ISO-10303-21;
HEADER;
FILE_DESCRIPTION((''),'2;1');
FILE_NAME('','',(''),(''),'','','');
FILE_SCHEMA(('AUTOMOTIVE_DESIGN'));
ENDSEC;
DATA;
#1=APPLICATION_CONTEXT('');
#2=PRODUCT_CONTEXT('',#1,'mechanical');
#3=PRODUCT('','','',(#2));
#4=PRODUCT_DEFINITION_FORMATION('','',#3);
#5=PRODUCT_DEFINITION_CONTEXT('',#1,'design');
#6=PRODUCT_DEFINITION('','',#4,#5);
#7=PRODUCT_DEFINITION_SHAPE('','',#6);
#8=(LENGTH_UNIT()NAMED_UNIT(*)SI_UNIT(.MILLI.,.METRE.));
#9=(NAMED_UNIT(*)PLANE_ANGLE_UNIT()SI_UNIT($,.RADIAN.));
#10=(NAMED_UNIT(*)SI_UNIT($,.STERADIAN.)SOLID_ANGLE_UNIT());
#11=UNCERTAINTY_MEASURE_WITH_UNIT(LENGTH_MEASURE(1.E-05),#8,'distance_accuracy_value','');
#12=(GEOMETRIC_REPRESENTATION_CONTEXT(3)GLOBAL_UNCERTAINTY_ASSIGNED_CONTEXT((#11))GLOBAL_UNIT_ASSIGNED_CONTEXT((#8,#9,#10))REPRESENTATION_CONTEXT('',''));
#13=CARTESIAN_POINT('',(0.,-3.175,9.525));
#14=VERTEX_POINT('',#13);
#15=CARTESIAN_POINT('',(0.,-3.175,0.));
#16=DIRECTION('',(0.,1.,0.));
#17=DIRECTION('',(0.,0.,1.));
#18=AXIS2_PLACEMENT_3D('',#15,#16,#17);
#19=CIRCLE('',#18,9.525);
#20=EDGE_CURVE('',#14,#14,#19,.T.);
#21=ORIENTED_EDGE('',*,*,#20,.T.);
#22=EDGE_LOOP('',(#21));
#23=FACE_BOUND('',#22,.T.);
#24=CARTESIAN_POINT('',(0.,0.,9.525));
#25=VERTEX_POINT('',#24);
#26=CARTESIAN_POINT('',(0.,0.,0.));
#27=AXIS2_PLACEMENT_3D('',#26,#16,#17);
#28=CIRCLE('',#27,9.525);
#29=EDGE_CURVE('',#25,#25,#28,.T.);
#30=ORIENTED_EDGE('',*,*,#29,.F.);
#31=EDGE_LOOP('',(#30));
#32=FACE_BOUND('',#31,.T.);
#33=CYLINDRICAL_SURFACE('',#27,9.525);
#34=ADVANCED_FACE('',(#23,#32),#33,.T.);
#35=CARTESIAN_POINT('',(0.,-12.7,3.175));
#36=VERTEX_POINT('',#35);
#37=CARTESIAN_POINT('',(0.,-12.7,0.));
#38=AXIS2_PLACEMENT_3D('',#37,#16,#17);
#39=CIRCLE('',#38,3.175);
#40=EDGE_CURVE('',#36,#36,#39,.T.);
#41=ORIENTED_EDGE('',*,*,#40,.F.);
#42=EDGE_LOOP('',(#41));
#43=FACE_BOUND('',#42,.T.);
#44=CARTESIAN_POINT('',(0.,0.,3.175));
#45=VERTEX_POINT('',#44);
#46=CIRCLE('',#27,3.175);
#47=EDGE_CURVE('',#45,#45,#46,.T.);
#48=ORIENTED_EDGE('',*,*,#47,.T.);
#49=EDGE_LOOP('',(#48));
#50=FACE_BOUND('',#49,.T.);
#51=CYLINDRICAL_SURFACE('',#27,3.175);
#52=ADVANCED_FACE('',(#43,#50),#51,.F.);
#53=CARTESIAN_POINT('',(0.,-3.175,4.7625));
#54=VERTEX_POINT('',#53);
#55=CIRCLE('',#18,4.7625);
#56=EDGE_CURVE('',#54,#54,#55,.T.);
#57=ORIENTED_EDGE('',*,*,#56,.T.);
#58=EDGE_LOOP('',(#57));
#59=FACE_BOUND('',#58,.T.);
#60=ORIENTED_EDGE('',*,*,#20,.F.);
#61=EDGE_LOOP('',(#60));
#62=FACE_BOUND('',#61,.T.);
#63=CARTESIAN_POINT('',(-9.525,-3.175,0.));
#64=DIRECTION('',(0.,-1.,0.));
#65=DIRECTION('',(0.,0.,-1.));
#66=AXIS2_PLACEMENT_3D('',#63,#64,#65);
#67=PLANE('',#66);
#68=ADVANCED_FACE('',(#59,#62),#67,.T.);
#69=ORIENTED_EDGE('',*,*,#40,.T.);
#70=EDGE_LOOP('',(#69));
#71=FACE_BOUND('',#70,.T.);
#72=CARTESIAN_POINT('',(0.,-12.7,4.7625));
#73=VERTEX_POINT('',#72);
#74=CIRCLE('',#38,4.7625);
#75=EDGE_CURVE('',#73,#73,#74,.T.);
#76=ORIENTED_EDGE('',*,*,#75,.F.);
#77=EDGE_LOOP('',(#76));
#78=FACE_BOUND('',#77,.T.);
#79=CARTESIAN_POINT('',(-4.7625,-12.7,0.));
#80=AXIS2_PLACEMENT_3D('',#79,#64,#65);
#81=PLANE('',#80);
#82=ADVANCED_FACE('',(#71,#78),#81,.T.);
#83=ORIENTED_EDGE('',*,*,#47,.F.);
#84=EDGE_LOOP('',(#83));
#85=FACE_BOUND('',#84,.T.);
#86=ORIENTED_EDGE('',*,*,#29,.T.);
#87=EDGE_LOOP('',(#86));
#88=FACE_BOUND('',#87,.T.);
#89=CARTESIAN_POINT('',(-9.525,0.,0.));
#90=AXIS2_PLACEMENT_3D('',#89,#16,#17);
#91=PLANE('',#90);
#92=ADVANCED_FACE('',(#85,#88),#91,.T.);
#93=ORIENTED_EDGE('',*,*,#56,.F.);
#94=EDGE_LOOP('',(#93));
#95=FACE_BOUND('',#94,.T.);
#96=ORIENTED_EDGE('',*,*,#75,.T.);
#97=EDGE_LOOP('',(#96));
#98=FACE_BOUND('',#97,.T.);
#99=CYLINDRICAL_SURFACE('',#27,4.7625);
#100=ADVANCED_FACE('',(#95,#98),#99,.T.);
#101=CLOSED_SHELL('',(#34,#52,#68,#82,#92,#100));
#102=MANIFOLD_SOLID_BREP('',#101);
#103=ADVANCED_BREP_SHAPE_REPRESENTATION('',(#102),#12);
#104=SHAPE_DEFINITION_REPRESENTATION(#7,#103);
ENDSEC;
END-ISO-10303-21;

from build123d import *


with BuildPart() as part:
    # Sketch1 → Revolve1 (revolve)
    with BuildSketch(Plane.XY):
        Polygon((-9.525, 0), (-3.175, 0), (-3.175, -12.7), (-4.7625, -12.7), (-4.7625, -3.175), (-9.525, -3.175), align=None)
    revolve(axis=Axis((0, 0, 0), (0, -1, 0)))


solid = part.part
